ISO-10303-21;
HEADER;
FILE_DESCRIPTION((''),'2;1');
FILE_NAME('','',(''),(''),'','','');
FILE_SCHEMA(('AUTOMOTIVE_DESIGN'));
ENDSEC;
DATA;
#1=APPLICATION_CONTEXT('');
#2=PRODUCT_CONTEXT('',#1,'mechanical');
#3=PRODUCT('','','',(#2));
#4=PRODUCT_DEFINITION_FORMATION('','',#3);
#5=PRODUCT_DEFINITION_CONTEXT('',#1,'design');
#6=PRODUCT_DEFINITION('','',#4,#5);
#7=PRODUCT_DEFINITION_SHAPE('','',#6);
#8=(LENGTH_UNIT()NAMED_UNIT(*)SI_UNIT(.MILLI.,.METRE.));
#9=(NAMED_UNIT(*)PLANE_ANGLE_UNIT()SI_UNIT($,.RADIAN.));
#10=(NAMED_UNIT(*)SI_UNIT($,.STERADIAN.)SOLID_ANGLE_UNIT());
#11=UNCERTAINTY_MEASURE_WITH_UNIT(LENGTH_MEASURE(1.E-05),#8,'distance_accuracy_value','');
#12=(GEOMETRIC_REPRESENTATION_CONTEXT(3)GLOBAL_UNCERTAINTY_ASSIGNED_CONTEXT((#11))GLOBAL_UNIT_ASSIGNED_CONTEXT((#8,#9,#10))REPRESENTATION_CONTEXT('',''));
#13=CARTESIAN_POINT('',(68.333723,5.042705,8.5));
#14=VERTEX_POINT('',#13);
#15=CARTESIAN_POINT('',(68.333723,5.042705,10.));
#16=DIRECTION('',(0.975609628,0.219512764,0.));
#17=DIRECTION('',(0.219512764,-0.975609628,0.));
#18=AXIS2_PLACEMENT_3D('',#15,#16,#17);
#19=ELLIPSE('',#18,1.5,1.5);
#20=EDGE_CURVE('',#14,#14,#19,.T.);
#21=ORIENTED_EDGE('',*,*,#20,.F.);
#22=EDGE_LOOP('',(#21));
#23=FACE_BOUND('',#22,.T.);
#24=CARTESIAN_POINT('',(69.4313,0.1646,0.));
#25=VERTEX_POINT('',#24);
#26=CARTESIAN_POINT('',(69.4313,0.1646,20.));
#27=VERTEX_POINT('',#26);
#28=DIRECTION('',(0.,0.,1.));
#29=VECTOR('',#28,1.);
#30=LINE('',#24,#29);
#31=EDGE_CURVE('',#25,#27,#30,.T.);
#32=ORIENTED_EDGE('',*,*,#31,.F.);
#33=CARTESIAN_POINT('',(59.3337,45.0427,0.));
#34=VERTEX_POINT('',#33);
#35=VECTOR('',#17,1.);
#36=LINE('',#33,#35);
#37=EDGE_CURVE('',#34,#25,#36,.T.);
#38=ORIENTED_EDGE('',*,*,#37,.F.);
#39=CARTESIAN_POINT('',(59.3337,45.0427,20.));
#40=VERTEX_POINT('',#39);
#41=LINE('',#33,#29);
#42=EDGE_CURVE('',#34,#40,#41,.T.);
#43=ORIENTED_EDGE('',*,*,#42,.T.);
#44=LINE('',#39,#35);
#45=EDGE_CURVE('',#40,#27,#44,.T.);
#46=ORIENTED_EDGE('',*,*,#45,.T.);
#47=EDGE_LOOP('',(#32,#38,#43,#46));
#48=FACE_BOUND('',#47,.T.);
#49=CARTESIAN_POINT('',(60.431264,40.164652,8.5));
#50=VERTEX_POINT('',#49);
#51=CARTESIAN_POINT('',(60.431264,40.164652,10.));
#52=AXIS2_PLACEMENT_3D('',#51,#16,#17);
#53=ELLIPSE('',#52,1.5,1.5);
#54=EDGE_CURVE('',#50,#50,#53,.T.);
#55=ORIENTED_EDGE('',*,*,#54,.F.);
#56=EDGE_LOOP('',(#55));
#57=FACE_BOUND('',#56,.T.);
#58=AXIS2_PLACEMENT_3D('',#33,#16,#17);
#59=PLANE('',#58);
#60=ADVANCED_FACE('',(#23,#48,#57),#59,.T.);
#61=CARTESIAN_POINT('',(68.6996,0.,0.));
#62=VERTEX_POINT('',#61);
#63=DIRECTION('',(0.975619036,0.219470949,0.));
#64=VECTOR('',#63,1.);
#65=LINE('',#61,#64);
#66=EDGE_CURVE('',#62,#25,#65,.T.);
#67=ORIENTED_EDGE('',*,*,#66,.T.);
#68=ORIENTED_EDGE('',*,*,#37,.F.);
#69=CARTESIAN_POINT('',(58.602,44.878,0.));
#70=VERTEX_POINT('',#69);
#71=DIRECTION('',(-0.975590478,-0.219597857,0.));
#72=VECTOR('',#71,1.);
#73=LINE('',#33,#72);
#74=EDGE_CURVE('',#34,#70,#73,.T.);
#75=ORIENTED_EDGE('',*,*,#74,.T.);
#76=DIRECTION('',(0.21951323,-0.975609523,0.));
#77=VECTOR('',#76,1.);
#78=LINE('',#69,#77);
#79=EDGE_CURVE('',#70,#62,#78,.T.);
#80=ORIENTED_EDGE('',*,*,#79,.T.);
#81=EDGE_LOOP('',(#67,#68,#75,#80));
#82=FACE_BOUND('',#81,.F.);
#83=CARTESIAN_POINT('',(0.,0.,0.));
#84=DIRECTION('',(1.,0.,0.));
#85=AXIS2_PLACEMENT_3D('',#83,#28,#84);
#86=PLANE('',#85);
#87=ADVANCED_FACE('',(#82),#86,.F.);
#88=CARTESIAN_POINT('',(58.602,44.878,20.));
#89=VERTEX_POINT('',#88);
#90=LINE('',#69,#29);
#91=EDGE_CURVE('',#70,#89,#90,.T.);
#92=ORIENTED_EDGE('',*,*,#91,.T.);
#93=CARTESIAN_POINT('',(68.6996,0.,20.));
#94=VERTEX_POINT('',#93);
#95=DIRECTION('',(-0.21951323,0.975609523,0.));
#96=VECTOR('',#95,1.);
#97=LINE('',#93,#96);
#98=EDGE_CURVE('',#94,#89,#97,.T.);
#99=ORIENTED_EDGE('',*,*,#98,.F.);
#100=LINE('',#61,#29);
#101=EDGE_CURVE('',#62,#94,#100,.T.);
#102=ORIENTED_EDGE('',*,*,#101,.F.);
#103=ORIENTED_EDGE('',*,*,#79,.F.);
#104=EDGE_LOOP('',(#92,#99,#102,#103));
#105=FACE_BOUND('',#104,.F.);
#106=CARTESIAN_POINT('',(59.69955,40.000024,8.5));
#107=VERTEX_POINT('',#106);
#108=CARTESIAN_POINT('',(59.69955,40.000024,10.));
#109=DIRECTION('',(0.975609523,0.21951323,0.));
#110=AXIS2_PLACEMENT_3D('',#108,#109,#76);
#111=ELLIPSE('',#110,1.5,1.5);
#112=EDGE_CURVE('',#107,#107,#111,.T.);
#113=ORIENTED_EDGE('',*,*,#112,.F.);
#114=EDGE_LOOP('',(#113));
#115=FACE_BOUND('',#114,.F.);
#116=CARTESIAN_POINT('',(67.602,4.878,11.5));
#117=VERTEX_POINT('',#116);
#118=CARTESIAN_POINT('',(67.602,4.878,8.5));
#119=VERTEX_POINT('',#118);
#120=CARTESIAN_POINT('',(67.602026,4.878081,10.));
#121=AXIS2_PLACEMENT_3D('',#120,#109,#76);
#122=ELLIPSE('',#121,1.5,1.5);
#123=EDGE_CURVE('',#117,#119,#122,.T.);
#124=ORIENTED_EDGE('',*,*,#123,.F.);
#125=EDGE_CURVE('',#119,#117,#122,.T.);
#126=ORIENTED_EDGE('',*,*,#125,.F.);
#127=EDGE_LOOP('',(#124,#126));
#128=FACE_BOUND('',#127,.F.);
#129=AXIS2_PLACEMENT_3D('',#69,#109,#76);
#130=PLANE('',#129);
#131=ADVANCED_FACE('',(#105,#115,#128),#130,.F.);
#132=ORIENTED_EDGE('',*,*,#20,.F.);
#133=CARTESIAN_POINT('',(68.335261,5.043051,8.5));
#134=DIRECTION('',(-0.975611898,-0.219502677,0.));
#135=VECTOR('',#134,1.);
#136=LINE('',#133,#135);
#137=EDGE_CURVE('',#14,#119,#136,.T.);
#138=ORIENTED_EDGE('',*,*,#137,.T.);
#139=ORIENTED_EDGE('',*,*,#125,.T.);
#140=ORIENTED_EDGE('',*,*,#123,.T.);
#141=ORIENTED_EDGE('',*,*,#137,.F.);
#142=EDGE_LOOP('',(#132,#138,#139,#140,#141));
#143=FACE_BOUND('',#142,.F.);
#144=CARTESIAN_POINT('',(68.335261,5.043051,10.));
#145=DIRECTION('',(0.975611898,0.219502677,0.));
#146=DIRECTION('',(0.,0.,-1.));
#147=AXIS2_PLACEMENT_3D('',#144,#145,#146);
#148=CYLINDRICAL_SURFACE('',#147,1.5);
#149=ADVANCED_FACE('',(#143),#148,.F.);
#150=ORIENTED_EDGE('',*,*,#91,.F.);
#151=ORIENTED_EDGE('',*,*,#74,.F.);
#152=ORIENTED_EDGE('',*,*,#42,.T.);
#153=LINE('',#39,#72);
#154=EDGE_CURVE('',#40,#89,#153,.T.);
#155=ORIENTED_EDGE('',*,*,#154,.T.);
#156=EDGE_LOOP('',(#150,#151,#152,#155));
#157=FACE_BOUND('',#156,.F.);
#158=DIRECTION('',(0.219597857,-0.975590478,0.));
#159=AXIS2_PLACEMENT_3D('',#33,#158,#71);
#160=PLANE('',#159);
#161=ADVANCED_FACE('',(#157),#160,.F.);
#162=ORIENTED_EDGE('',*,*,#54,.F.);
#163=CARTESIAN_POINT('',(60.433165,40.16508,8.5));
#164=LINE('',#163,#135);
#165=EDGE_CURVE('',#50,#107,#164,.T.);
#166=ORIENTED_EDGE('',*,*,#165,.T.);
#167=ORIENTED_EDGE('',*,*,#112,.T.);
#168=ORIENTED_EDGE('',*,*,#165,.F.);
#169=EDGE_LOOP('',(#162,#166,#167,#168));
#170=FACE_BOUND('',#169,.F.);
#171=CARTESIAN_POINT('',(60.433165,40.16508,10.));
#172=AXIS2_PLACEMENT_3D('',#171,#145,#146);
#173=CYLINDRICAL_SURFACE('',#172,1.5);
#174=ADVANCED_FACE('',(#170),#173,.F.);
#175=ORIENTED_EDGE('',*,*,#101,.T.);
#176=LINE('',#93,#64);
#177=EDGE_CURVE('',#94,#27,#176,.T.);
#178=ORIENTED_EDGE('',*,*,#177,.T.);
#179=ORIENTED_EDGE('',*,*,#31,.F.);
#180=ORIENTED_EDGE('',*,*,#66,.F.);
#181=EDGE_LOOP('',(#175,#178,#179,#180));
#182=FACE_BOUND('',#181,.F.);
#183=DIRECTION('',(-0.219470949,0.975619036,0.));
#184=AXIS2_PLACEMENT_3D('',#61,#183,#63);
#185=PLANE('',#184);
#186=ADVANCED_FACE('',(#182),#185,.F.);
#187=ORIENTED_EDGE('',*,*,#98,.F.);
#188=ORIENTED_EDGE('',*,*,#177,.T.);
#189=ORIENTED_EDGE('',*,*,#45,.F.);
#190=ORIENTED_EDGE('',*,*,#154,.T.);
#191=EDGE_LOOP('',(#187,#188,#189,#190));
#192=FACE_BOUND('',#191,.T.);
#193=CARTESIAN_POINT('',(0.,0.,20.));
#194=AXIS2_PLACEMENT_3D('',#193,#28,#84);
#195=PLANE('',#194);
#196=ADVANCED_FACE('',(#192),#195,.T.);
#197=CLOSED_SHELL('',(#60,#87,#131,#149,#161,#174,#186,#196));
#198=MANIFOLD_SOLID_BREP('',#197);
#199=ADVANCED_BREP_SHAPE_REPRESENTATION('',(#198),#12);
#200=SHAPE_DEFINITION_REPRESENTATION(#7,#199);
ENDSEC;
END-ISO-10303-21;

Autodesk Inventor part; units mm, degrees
ref_plane "YZ Plane" through (0, 0, 0) normal (1, 0, 0) x (0, 1, 0)
ref_plane "XZ Plane" through (0, 0, 0) normal (0, 1, 0) x (-1, 0, 0)
ref_plane "XY Plane" through (0, 0, 0) normal (0, 0, 1) x (1, 0, 0)
sketch "スケッチ1" plane through (0, 0, 0) normal (0, 0, 1) x (1, 0, 0)
  circle A0 centre (54.6996, 44) radius 4
  line L0 (61.9927, 0) -> (64.9927, 0)
  line L1 (58.602, 44.878) -> (68.6996, 0)
  line L2 (64.9927, 0) -> (67.602, 4.878)
  line L3 (59.3337, 45.0427) -> (69.4313, 0.1646)
  line L4 (59.3337, 45.0427) -> (58.602, 44.878)
  line L5 (68.6996, 0) -> (69.4313, 0.1646)
  point P0 (0, 0)
  dimension "d0" = 5
  dimension "d1" = 0.75
  dimension "d12" = 77.32
extrude "押し出し1" add sketch "スケッチ1" along normal blind 20 contours L4 L3 L5 L1
sketch "スケッチ2" plane through (59.3337, 45.0427, 20) normal (0.9756, 0.2195, 0) x (0, 0, -1)
  line L0 (20, -46) -> (20, 0) projected
  line L1 (20, 0) -> (0, 0) projected
  line L2 (0, -46) -> (0, 0) projected
  line L3 (20, -46) -> (0, -46) projected
  circle A0 centre (10, -41) radius 1.5
  circle A1 centre (10, -5) radius 1.5
  point P0 (20, -30.9196)
  dimension "d4" = 3
  dimension "d5" = 5
  dimension "d6" = 10
  dimension "d7" = 3
  dimension "d8" = 5
  dimension "d9" = 10
extrude "押し出し2" cut sketch "スケッチ2" against normal blind 0.75 contours A0 | A1
properties part number "アームガード" material "ポリプロピレン"
